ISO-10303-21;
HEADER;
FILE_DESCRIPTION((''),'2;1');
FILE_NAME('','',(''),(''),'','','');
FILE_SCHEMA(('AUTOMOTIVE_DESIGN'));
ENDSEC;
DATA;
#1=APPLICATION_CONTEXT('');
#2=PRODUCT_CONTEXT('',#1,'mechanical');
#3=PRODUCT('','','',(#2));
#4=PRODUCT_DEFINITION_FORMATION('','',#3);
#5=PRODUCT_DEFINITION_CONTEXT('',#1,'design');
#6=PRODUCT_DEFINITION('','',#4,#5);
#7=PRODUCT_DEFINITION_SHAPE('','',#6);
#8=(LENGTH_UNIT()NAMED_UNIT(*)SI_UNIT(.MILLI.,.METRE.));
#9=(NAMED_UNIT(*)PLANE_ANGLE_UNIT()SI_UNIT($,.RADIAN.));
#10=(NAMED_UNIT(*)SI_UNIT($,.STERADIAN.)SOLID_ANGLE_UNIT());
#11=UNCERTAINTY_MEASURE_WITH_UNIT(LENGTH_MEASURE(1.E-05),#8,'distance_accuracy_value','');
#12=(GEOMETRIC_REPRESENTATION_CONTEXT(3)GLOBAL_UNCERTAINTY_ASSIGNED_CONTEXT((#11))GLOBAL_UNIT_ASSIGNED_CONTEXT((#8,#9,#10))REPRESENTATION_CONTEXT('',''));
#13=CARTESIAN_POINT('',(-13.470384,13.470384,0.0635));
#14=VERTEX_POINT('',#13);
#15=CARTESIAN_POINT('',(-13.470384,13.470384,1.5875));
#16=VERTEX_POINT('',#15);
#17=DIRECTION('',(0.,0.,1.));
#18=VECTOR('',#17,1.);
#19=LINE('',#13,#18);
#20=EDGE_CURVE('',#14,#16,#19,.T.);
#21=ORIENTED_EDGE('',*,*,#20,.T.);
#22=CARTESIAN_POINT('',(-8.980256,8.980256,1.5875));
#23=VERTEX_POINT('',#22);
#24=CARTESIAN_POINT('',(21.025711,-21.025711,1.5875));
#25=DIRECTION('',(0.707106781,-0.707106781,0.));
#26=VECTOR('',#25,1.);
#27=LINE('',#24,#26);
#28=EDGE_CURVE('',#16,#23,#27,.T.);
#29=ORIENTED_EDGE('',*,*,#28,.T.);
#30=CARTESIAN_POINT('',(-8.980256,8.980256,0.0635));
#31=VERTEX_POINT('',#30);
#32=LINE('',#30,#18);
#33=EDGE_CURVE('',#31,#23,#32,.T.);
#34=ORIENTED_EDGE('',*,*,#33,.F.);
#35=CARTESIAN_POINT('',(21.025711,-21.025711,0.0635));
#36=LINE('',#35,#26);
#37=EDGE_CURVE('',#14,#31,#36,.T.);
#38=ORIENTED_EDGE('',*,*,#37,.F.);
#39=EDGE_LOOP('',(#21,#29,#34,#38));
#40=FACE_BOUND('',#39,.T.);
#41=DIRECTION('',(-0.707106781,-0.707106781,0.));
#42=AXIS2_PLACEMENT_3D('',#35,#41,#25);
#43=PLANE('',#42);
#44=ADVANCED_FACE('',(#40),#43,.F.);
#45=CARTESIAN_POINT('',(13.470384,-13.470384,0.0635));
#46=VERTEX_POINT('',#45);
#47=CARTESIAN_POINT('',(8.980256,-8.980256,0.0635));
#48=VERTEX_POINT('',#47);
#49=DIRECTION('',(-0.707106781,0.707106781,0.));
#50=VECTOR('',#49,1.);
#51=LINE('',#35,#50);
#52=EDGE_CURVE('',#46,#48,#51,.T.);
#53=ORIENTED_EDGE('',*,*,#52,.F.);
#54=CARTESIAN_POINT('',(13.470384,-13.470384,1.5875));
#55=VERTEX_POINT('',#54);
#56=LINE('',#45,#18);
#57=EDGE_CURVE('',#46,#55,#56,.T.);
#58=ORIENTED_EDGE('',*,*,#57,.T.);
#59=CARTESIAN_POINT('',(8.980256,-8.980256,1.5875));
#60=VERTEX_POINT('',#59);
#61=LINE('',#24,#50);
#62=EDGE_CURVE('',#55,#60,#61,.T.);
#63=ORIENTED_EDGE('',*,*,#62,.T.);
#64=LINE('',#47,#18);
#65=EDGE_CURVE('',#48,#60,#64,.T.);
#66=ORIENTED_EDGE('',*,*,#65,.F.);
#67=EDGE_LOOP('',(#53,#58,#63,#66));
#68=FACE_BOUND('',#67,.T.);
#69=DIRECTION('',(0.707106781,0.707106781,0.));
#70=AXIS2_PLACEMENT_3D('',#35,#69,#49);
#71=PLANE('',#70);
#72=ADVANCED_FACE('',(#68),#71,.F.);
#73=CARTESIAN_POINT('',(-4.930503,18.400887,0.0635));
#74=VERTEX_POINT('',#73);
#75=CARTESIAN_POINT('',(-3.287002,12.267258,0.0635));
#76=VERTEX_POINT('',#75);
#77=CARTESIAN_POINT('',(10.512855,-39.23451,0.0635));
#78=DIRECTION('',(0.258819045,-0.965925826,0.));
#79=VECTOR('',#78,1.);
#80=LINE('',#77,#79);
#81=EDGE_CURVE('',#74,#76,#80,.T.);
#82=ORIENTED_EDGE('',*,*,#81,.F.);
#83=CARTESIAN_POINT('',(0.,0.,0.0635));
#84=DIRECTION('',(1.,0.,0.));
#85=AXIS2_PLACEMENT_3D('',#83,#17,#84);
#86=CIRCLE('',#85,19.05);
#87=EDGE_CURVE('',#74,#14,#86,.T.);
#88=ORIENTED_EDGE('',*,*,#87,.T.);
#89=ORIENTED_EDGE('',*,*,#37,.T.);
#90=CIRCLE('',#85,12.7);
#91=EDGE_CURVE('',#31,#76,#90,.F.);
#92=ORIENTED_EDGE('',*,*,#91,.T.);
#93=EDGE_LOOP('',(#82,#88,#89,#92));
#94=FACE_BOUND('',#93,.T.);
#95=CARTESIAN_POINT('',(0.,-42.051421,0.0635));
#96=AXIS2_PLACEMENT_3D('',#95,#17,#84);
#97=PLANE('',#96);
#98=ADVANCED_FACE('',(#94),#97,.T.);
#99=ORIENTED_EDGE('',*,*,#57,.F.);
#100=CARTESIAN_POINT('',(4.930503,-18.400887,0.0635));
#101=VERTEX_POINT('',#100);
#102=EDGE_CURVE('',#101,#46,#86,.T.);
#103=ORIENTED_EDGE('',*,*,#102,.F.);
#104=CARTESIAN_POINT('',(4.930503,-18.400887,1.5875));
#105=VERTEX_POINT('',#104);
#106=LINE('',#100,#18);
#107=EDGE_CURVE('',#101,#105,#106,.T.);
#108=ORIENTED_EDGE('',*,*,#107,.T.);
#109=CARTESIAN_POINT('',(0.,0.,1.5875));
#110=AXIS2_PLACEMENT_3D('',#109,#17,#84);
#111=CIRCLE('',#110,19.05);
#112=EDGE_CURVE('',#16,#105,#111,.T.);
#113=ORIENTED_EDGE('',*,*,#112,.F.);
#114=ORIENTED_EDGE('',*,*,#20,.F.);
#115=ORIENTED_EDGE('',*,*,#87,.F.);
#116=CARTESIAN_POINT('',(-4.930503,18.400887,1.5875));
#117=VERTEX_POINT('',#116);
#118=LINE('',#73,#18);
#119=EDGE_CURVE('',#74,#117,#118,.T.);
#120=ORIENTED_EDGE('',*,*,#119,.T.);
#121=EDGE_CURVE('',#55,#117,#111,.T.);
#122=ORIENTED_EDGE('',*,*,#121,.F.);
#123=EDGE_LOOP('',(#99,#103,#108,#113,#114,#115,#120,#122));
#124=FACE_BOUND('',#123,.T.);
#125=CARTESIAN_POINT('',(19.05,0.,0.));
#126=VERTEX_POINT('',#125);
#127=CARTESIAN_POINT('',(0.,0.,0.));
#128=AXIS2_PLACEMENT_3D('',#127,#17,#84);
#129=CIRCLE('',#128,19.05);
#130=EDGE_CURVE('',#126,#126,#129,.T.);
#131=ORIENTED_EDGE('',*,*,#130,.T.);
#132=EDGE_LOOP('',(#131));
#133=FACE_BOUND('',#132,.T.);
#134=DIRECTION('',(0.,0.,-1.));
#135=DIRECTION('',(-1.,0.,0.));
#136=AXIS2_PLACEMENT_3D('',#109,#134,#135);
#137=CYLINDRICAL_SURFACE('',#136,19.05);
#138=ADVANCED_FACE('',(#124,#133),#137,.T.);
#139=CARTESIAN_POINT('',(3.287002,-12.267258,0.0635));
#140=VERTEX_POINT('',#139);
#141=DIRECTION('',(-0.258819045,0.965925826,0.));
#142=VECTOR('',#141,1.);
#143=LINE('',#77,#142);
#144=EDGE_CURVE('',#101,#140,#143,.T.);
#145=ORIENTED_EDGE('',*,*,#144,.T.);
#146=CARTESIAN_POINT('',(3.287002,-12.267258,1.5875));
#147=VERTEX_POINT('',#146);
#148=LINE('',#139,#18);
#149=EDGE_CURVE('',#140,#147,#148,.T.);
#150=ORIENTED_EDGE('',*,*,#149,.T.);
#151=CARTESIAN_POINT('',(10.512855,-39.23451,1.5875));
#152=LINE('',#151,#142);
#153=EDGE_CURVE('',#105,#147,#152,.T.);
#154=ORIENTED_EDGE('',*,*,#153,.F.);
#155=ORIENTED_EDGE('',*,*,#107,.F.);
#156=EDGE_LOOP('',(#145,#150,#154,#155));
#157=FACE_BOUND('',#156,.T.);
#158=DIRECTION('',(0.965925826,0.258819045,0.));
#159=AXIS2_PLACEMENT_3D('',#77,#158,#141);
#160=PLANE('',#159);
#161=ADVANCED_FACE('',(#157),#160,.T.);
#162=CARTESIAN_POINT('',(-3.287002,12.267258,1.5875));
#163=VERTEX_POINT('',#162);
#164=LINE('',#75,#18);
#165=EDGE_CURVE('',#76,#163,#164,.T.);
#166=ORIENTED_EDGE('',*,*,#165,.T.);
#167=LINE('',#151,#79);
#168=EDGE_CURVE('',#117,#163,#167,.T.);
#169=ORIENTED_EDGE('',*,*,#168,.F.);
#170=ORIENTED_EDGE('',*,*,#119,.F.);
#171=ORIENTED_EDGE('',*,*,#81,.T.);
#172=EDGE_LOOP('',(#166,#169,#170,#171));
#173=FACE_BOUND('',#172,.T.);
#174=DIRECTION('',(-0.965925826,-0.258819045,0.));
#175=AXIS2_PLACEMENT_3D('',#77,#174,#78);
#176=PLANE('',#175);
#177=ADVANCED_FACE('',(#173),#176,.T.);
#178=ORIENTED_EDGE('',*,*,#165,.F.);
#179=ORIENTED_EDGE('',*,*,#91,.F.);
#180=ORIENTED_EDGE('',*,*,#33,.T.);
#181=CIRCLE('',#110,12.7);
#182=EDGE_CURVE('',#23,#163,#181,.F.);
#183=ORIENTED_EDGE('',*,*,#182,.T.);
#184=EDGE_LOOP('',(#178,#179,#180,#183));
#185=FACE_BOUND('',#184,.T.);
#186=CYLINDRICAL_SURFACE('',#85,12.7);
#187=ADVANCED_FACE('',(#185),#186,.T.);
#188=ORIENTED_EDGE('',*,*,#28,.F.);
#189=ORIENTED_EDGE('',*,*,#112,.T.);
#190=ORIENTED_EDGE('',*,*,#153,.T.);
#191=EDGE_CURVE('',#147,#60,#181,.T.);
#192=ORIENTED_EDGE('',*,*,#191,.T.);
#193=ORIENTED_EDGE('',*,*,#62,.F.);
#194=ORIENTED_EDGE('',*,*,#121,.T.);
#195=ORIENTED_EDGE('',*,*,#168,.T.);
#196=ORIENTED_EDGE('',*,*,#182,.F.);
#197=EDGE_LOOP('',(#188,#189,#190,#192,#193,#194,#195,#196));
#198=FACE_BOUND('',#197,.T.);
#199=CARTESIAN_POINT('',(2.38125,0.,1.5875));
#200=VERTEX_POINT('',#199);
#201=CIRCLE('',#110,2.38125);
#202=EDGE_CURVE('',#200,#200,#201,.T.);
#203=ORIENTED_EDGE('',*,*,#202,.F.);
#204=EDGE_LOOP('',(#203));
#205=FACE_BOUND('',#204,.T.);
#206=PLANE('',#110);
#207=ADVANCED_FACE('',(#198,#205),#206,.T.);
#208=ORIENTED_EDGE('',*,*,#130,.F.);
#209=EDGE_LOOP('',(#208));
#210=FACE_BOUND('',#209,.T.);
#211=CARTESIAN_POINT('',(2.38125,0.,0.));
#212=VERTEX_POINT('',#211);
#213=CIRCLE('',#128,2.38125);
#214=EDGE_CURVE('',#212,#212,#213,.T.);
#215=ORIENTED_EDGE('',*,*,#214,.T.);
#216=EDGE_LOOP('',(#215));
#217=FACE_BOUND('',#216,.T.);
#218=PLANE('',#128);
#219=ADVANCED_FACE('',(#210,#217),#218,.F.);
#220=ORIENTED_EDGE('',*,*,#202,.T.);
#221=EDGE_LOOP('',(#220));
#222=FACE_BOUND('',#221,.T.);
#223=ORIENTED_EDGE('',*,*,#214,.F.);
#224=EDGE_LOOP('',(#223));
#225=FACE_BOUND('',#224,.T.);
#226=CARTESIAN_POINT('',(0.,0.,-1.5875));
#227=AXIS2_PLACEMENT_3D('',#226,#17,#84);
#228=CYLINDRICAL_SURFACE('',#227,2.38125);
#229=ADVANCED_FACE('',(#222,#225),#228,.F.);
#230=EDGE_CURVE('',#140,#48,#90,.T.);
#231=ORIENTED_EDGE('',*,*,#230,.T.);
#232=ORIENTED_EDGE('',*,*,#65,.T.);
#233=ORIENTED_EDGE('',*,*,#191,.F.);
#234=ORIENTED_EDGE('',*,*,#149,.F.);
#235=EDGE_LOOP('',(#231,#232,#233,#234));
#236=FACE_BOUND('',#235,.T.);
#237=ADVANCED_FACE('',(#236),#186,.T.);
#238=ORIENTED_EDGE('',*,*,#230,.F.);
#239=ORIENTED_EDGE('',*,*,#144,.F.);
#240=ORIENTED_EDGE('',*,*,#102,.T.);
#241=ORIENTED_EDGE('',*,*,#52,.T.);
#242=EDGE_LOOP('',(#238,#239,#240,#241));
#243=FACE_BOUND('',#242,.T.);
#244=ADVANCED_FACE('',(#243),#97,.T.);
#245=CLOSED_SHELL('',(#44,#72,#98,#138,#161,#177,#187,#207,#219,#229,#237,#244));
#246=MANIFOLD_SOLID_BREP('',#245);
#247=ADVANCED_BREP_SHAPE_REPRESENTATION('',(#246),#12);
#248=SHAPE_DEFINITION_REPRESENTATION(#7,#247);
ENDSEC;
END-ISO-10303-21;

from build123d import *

# Parameters (mm, degrees)
SKETCH1_R          = 19.05
EXTRUDE1_DEPTH     = 1.5875
SKETCH2_R          = 2.38125
CUT_EXTRUDE1_DEPTH = 3.175
CUT_EXTRUDE2_DEPTH = 1.524


with BuildPart() as part:
    # Sketch1 → Extrude1 (new body)
    with BuildSketch(Plane.XY):
        Circle(SKETCH1_R)
    extrude(amount=EXTRUDE1_DEPTH)

    # Sketch2 → Cut-Extrude1 (cut)
    with BuildSketch(Plane.XY.offset(1.5875)):
        Circle(SKETCH2_R)
    extrude(amount=-CUT_EXTRUDE1_DEPTH, mode=Mode.SUBTRACT)

    # Sketch3 → Cut-Extrude2 (cut)
    with BuildSketch(Plane.XY.offset(1.5875)):
        with BuildLine():
            ThreePointArc((-4.930502809, 18.400886991), (-9.525, 16.497783942), (-13.470384182, 13.470384182))
            Line((-13.470384182, 13.470384182), (-8.980256121, 8.980256121))
            ThreePointArc((-8.980256121, 8.980256121), (-6.35, 10.998522628), (-3.287001873, 12.267257994))
            Line((-3.287001873, 12.267257994), (-4.930502809, 18.400886991))
        make_face()
        with BuildLine():
            Line((3.287001873, -12.267257994), (4.930502809, -18.400886991))
            ThreePointArc((4.930502809, -18.400886991), (9.525, -16.497783942), (13.470384182, -13.470384182))
            Line((13.470384182, -13.470384182), (8.980256121, -8.980256121))
            ThreePointArc((8.980256121, -8.980256121), (6.35, -10.998522628), (3.287001873, -12.267257994))
        make_face()
    extrude(amount=-CUT_EXTRUDE2_DEPTH, mode=Mode.SUBTRACT)


solid = part.part
